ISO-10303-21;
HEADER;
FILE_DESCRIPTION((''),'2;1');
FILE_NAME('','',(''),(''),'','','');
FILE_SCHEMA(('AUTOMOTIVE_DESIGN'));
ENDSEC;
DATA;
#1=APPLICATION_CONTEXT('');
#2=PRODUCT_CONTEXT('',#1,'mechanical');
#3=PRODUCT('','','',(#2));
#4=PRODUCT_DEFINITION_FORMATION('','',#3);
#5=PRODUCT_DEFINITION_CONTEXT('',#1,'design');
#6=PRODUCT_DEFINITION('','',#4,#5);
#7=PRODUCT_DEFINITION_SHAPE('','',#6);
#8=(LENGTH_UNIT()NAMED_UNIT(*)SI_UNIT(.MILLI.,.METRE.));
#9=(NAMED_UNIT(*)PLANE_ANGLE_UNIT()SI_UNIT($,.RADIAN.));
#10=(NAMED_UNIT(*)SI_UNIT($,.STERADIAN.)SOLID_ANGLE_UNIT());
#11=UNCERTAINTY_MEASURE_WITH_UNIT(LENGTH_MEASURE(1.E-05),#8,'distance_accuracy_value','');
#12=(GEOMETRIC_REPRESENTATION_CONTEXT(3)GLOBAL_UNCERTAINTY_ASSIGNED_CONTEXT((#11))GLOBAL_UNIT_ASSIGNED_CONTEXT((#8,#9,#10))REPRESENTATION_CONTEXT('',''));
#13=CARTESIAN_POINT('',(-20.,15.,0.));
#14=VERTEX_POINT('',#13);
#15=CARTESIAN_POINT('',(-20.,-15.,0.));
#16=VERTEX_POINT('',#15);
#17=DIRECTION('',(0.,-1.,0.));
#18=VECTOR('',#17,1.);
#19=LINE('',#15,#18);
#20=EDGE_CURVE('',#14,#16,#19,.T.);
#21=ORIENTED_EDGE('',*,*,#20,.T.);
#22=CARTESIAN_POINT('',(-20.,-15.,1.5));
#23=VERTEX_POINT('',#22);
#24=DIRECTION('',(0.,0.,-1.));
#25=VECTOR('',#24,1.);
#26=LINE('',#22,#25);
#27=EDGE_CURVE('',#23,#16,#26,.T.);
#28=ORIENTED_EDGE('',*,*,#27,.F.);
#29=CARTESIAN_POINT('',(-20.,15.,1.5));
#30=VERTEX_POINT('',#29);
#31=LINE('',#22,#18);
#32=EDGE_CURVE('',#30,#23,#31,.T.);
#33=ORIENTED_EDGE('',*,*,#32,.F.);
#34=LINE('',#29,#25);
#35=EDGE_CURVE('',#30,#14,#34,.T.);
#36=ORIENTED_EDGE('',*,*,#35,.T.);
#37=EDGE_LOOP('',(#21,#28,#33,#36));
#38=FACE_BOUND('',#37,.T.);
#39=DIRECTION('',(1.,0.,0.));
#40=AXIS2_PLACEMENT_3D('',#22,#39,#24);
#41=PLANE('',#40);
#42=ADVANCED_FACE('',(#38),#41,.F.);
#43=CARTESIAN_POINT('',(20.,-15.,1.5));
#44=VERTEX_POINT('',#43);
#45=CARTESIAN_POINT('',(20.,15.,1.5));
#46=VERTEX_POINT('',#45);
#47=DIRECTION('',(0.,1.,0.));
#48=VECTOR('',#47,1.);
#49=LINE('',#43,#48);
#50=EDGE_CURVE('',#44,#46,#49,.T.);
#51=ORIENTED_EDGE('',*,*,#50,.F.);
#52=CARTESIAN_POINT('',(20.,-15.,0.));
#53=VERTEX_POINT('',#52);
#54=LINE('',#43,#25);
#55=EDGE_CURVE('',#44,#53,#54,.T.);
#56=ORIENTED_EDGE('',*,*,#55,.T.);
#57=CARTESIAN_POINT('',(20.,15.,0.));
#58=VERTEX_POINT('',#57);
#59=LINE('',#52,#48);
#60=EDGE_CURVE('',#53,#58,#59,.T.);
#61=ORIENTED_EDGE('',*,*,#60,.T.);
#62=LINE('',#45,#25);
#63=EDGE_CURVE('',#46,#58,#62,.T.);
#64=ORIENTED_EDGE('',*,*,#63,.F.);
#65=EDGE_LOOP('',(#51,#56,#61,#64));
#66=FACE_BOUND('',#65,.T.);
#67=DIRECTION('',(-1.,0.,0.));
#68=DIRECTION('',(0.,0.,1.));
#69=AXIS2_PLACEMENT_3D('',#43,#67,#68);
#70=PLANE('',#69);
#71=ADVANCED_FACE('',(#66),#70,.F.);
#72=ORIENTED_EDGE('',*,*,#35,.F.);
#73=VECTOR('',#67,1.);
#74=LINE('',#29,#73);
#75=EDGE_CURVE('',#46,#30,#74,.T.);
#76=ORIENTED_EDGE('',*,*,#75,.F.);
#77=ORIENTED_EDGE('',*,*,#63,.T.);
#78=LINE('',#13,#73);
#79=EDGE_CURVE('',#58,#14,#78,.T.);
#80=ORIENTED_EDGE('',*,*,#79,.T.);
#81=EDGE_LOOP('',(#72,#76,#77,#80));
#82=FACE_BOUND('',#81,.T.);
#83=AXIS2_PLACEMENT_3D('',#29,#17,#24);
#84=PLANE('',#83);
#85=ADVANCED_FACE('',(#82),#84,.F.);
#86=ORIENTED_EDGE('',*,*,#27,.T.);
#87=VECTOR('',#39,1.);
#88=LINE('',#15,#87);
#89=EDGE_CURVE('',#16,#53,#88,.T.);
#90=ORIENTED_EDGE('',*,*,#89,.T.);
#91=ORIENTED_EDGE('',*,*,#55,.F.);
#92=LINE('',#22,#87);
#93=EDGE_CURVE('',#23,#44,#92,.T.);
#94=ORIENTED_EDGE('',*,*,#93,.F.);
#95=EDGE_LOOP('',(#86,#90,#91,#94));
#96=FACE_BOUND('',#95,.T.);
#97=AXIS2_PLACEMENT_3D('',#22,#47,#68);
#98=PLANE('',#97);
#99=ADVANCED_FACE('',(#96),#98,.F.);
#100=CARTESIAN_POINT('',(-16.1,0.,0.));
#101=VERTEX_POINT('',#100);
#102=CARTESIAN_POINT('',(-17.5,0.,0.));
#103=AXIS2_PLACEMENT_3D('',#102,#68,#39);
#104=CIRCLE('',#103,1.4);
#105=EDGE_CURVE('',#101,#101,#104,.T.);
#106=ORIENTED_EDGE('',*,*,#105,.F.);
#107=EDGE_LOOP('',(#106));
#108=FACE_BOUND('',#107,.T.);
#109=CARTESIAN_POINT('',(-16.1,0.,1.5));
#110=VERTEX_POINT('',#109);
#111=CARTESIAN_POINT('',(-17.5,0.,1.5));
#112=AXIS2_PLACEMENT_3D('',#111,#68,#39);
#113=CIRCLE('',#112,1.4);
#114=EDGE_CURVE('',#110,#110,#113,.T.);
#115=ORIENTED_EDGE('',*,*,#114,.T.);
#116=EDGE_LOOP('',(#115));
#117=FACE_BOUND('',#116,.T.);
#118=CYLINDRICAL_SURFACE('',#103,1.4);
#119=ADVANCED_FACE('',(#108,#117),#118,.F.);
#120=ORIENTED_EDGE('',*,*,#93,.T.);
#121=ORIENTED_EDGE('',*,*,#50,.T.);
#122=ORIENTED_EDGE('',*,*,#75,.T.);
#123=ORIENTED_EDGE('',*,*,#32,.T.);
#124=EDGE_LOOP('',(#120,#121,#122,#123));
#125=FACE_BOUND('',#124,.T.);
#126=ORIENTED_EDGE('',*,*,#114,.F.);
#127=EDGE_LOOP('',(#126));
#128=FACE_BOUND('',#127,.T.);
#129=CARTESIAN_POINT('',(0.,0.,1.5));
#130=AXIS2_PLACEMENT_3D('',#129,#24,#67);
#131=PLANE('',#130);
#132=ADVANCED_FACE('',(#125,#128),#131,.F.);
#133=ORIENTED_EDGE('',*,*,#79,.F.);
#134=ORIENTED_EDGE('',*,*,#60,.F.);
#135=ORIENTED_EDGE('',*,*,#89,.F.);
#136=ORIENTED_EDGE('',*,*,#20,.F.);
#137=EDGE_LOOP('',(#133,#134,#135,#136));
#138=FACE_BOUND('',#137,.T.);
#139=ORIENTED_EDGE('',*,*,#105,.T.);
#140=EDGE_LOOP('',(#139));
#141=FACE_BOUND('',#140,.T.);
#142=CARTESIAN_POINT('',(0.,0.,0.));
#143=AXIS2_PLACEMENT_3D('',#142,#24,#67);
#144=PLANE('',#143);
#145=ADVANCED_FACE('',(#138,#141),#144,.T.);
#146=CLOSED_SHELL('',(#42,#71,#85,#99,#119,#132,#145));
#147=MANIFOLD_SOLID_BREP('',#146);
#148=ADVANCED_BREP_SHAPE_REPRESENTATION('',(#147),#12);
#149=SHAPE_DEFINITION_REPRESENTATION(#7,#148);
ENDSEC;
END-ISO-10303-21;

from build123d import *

# Parameters (mm, degrees)
SKETCH1_W           = 40
SKETCH1_H           = 30
BOSS_EXTRUDE2_DEPTH = 1.5
SKETCH2_R           = 1.4
CUT_EXTRUDE1_DEPTH  = 26.044959573


with BuildPart() as part:
    # Sketch1 → Boss-Extrude2 (new body)
    with BuildSketch(Plane.XY):
        Rectangle(SKETCH1_W, SKETCH1_H)
    extrude(amount=BOSS_EXTRUDE2_DEPTH)

    # Sketch2 → Cut-Extrude1 (cut, through all)
    with BuildSketch(Plane.XY.offset(1.5)):
        with Locations((-17.5, 0)):
            Circle(SKETCH2_R)
    extrude(amount=-CUT_EXTRUDE1_DEPTH, mode=Mode.SUBTRACT)


solid = part.part
